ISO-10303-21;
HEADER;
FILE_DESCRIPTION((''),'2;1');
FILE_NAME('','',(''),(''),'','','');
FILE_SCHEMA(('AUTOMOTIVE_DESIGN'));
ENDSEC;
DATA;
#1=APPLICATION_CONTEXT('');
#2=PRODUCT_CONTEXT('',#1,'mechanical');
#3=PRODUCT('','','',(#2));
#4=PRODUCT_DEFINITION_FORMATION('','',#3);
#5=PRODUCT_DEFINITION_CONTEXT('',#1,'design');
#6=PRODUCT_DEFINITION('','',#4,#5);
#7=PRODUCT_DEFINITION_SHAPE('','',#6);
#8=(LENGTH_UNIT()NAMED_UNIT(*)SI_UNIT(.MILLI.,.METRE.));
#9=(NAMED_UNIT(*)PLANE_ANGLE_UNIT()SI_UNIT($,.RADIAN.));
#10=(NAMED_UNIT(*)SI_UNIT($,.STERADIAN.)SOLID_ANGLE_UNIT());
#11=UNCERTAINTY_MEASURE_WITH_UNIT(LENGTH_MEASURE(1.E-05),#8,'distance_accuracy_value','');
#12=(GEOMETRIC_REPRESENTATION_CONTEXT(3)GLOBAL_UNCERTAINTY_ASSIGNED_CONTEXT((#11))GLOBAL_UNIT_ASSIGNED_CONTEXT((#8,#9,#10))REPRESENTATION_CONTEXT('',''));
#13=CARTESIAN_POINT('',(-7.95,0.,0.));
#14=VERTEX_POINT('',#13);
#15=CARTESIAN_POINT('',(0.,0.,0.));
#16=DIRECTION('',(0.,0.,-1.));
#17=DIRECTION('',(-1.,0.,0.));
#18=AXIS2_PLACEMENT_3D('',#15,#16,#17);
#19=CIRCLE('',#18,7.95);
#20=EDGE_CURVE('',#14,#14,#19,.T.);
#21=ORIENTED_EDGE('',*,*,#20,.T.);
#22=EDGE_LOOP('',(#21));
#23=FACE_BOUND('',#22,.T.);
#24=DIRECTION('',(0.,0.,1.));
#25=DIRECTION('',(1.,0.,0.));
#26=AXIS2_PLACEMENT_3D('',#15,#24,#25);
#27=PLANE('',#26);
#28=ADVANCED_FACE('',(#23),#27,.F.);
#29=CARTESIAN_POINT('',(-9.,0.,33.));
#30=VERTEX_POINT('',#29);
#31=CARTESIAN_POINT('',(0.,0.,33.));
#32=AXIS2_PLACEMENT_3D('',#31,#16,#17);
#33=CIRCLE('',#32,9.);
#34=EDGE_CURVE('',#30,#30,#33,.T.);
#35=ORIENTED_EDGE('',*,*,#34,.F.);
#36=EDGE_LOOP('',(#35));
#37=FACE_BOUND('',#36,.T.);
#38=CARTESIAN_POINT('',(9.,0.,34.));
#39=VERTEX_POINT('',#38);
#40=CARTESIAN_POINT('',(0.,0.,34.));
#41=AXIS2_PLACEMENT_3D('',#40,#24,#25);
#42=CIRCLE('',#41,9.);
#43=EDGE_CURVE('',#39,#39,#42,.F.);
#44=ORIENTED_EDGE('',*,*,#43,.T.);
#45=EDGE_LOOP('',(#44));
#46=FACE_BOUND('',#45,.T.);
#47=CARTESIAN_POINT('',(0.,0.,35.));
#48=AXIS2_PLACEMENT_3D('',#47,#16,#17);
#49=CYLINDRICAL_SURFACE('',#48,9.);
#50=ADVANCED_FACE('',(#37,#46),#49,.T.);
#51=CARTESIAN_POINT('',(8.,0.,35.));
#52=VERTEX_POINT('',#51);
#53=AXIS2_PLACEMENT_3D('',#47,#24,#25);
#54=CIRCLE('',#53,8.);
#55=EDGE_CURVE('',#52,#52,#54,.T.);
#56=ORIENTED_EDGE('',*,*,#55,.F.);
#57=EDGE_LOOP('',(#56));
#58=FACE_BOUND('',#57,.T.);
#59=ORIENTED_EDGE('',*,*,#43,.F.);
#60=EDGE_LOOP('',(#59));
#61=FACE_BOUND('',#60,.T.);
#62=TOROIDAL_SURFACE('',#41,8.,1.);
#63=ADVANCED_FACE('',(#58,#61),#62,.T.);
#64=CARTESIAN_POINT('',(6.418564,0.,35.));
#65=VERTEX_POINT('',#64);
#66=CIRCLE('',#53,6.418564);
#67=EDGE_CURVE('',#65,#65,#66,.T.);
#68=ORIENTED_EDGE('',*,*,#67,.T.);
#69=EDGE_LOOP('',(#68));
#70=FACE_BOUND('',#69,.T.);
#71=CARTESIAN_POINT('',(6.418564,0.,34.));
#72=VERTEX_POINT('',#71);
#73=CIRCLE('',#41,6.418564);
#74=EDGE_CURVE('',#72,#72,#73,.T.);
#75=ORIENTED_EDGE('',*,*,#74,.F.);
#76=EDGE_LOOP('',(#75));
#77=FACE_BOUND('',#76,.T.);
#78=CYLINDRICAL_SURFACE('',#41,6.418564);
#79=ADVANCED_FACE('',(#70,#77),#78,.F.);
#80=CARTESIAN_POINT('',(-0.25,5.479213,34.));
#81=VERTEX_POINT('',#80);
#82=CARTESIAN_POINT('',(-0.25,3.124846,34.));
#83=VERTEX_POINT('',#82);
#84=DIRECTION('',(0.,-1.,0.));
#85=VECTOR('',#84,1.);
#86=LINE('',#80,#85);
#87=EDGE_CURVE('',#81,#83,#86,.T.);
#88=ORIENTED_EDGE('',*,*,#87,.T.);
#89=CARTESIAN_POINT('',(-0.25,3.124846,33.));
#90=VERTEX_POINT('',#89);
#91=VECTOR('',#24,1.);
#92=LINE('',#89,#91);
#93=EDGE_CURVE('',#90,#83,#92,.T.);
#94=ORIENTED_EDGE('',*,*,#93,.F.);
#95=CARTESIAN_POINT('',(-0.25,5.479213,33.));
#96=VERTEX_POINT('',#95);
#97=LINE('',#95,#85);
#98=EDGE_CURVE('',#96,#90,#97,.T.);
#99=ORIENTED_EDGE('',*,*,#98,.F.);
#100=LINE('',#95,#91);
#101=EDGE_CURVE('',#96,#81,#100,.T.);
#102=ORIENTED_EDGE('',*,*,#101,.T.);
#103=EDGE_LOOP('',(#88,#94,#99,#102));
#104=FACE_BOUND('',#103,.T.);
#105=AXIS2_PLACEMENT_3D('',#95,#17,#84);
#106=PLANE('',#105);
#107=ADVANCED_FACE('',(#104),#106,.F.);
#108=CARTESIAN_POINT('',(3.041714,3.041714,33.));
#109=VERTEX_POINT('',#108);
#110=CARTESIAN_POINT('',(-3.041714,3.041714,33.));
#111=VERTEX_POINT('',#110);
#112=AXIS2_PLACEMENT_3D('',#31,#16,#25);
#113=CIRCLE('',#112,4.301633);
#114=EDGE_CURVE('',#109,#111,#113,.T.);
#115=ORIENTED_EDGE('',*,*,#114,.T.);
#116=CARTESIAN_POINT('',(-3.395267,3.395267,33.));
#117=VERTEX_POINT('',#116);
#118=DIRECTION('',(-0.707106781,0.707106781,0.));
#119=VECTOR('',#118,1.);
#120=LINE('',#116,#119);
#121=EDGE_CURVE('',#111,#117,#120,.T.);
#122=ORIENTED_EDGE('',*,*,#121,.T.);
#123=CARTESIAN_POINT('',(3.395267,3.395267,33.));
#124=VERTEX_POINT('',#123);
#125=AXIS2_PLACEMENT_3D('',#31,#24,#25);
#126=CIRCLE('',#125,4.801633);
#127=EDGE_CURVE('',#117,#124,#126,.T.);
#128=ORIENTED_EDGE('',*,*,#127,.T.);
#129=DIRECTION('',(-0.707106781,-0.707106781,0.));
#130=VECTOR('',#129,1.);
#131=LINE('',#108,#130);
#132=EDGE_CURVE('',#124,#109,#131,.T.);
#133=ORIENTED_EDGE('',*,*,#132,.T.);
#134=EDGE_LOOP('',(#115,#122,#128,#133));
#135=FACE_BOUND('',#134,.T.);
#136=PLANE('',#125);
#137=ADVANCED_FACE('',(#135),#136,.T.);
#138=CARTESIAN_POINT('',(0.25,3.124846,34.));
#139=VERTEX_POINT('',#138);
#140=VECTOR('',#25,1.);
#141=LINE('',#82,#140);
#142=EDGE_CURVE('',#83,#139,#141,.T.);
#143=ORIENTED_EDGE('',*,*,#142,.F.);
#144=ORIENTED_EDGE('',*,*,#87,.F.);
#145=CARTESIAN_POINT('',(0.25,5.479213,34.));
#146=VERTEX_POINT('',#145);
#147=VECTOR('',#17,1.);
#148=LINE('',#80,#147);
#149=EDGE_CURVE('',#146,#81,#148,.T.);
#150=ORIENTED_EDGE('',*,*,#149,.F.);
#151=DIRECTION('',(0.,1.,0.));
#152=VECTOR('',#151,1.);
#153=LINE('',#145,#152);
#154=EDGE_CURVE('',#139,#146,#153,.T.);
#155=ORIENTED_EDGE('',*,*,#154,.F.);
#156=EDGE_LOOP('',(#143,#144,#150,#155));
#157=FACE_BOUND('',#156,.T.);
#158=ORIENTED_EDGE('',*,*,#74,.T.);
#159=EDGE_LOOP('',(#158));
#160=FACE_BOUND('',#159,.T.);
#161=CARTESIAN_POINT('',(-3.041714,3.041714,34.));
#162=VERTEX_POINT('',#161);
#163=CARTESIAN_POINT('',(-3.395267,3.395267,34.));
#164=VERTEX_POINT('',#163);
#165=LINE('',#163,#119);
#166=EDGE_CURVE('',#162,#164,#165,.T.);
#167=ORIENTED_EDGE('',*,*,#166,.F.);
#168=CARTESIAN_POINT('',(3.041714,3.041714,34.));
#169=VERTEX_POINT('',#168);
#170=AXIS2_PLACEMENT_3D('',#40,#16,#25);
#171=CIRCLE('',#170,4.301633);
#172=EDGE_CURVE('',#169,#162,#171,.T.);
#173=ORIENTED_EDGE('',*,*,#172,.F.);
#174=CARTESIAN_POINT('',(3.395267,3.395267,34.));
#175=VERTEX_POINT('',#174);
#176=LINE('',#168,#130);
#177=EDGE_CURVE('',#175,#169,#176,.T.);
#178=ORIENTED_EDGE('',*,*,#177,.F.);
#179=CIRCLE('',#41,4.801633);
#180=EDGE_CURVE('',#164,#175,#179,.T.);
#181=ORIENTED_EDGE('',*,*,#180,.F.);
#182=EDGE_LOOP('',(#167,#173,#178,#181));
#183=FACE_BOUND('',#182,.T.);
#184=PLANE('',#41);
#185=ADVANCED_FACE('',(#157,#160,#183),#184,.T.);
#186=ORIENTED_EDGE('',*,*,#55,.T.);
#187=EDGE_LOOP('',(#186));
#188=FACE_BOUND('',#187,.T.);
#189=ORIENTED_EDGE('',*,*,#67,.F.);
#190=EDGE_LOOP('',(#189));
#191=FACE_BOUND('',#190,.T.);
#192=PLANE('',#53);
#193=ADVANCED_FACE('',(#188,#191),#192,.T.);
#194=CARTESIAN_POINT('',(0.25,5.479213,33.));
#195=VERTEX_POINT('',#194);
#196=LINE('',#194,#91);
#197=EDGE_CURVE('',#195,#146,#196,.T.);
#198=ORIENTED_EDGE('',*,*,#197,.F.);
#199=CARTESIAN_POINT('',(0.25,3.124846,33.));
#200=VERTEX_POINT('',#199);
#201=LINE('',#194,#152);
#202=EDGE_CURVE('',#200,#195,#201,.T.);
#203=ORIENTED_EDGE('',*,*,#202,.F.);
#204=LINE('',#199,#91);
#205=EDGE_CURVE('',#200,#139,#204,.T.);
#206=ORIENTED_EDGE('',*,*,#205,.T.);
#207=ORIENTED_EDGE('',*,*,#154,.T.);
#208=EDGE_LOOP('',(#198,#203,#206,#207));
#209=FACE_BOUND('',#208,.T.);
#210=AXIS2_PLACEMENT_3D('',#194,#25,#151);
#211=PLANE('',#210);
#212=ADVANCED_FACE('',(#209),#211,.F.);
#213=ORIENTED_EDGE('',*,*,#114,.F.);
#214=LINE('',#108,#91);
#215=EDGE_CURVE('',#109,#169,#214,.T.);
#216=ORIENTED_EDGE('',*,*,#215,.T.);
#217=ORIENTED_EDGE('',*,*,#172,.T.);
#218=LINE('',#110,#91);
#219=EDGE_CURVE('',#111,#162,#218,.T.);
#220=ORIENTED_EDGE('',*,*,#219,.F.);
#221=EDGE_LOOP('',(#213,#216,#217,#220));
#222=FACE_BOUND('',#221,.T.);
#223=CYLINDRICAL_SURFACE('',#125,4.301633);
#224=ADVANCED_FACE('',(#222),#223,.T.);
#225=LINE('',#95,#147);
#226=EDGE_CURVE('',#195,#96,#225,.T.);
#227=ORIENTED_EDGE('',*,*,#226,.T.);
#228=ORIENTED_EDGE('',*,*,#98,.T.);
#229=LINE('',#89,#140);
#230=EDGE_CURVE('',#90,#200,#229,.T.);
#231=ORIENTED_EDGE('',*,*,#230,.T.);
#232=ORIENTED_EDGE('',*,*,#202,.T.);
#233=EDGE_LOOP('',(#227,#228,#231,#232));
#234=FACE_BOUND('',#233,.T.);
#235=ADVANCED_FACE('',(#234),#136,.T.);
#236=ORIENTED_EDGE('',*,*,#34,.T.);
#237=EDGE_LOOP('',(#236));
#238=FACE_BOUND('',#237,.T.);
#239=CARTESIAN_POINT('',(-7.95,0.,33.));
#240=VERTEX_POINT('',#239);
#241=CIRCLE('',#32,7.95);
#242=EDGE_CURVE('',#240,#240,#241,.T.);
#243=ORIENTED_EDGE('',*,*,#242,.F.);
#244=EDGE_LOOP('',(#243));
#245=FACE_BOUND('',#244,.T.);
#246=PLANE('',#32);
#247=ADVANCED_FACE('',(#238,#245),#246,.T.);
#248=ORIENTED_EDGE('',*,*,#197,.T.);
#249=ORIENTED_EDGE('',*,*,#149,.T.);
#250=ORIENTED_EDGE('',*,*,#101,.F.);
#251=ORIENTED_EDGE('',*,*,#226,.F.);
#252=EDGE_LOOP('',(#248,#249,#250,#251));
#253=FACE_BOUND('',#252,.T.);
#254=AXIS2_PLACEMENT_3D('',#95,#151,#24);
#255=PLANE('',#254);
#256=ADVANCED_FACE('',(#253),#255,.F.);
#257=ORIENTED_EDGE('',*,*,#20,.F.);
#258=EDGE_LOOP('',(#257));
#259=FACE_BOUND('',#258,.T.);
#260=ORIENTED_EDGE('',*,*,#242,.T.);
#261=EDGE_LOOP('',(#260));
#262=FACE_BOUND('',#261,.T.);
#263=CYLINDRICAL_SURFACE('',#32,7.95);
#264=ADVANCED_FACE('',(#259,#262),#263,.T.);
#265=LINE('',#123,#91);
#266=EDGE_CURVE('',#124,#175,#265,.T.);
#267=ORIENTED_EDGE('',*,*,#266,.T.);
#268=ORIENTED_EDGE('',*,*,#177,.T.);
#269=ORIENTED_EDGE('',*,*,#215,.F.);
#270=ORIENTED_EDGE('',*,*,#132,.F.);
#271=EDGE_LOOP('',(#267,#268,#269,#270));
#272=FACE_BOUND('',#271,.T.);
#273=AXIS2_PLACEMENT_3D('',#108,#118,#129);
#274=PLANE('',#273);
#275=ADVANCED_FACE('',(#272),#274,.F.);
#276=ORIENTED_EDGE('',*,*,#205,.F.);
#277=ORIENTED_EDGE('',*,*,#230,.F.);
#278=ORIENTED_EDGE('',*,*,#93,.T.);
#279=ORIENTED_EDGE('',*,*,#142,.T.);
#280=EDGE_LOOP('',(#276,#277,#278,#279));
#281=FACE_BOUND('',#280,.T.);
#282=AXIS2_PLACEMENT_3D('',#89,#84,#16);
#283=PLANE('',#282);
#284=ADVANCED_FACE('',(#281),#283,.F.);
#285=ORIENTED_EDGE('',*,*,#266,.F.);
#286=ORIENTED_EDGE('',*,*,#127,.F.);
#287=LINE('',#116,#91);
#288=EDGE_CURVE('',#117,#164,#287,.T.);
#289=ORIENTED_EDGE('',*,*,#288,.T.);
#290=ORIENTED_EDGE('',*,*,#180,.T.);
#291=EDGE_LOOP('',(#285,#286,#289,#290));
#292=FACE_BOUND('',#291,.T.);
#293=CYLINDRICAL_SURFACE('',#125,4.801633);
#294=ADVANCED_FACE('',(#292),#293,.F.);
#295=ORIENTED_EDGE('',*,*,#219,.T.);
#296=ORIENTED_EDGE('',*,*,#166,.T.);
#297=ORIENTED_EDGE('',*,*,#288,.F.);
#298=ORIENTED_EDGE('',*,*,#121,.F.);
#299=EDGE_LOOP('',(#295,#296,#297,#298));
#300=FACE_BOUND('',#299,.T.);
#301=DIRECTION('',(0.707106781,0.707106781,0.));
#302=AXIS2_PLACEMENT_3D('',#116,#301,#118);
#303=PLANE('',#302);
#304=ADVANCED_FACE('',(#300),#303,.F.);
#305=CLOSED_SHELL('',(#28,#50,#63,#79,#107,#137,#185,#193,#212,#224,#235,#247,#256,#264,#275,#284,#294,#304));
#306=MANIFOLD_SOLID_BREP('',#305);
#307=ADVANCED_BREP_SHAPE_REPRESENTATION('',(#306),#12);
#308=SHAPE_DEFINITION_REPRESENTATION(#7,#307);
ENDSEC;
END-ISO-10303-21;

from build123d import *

# Parameters (mm, degrees)
SKETCH1_R           = 9
BOSS_EXTRUDE1_DEPTH = 35
SKETCH2_R           = 10.726971326
SKETCH2_R_2         = 7.95
CUT_EXTRUDE1_DEPTH  = 33
FILLET1_R           = 1
SKETCH3_R           = 6.418564364
CUT_EXTRUDE2_DEPTH  = 1
SKETCH4_W           = 0.5
SKETCH4_H           = 2.354367894
CUT_EXTRUDE3_DEPTH  = 1


with BuildPart() as part:
    # Sketch1 → Boss-Extrude1 (new body)
    with BuildSketch(Plane.XY):
        Circle(SKETCH1_R)
    extrude(amount=BOSS_EXTRUDE1_DEPTH)

    # Sketch2 → Cut-Extrude1 (cut)
    with BuildSketch(Plane(origin=(0, 0, 0), x_dir=(-1, 0, 0), z_dir=(0, 0, -1))):
        Circle(SKETCH2_R)
        Circle(SKETCH2_R_2, mode=Mode.SUBTRACT)
    extrude(amount=-CUT_EXTRUDE1_DEPTH, mode=Mode.SUBTRACT)

    # Fillet1
    fillet1_edges = [part.edges().sort_by_distance(p)[0] for p in [
        (-9, 0, 35),
    ]]
    fillet(fillet1_edges, radius=FILLET1_R)

    # Sketch3 → Cut-Extrude2 (cut)
    with BuildSketch(Plane.XY.offset(35)):
        Circle(SKETCH3_R)
    extrude(amount=-CUT_EXTRUDE2_DEPTH, mode=Mode.SUBTRACT)

    # Sketch4 → Cut-Extrude3 (cut)
    with BuildSketch(Plane.XY.offset(34)):
        with BuildLine():
            Line((-3.395267389, 3.395267389), (-3.041713998, 3.041713998))
            ThreePointArc((-3.041713998, 3.041713998), (0, -4.301633189), (3.041713998, 3.041713998))
            Line((3.041713998, 3.041713998), (3.395267389, 3.395267389))
            ThreePointArc((3.395267389, 3.395267389), (0, -4.801633189), (-3.395267389, 3.395267389))
        make_face()
        with Locations((0, 4.302029464)):
            Rectangle(SKETCH4_W, SKETCH4_H)
    extrude(amount=-CUT_EXTRUDE3_DEPTH, mode=Mode.SUBTRACT)


solid = part.part
